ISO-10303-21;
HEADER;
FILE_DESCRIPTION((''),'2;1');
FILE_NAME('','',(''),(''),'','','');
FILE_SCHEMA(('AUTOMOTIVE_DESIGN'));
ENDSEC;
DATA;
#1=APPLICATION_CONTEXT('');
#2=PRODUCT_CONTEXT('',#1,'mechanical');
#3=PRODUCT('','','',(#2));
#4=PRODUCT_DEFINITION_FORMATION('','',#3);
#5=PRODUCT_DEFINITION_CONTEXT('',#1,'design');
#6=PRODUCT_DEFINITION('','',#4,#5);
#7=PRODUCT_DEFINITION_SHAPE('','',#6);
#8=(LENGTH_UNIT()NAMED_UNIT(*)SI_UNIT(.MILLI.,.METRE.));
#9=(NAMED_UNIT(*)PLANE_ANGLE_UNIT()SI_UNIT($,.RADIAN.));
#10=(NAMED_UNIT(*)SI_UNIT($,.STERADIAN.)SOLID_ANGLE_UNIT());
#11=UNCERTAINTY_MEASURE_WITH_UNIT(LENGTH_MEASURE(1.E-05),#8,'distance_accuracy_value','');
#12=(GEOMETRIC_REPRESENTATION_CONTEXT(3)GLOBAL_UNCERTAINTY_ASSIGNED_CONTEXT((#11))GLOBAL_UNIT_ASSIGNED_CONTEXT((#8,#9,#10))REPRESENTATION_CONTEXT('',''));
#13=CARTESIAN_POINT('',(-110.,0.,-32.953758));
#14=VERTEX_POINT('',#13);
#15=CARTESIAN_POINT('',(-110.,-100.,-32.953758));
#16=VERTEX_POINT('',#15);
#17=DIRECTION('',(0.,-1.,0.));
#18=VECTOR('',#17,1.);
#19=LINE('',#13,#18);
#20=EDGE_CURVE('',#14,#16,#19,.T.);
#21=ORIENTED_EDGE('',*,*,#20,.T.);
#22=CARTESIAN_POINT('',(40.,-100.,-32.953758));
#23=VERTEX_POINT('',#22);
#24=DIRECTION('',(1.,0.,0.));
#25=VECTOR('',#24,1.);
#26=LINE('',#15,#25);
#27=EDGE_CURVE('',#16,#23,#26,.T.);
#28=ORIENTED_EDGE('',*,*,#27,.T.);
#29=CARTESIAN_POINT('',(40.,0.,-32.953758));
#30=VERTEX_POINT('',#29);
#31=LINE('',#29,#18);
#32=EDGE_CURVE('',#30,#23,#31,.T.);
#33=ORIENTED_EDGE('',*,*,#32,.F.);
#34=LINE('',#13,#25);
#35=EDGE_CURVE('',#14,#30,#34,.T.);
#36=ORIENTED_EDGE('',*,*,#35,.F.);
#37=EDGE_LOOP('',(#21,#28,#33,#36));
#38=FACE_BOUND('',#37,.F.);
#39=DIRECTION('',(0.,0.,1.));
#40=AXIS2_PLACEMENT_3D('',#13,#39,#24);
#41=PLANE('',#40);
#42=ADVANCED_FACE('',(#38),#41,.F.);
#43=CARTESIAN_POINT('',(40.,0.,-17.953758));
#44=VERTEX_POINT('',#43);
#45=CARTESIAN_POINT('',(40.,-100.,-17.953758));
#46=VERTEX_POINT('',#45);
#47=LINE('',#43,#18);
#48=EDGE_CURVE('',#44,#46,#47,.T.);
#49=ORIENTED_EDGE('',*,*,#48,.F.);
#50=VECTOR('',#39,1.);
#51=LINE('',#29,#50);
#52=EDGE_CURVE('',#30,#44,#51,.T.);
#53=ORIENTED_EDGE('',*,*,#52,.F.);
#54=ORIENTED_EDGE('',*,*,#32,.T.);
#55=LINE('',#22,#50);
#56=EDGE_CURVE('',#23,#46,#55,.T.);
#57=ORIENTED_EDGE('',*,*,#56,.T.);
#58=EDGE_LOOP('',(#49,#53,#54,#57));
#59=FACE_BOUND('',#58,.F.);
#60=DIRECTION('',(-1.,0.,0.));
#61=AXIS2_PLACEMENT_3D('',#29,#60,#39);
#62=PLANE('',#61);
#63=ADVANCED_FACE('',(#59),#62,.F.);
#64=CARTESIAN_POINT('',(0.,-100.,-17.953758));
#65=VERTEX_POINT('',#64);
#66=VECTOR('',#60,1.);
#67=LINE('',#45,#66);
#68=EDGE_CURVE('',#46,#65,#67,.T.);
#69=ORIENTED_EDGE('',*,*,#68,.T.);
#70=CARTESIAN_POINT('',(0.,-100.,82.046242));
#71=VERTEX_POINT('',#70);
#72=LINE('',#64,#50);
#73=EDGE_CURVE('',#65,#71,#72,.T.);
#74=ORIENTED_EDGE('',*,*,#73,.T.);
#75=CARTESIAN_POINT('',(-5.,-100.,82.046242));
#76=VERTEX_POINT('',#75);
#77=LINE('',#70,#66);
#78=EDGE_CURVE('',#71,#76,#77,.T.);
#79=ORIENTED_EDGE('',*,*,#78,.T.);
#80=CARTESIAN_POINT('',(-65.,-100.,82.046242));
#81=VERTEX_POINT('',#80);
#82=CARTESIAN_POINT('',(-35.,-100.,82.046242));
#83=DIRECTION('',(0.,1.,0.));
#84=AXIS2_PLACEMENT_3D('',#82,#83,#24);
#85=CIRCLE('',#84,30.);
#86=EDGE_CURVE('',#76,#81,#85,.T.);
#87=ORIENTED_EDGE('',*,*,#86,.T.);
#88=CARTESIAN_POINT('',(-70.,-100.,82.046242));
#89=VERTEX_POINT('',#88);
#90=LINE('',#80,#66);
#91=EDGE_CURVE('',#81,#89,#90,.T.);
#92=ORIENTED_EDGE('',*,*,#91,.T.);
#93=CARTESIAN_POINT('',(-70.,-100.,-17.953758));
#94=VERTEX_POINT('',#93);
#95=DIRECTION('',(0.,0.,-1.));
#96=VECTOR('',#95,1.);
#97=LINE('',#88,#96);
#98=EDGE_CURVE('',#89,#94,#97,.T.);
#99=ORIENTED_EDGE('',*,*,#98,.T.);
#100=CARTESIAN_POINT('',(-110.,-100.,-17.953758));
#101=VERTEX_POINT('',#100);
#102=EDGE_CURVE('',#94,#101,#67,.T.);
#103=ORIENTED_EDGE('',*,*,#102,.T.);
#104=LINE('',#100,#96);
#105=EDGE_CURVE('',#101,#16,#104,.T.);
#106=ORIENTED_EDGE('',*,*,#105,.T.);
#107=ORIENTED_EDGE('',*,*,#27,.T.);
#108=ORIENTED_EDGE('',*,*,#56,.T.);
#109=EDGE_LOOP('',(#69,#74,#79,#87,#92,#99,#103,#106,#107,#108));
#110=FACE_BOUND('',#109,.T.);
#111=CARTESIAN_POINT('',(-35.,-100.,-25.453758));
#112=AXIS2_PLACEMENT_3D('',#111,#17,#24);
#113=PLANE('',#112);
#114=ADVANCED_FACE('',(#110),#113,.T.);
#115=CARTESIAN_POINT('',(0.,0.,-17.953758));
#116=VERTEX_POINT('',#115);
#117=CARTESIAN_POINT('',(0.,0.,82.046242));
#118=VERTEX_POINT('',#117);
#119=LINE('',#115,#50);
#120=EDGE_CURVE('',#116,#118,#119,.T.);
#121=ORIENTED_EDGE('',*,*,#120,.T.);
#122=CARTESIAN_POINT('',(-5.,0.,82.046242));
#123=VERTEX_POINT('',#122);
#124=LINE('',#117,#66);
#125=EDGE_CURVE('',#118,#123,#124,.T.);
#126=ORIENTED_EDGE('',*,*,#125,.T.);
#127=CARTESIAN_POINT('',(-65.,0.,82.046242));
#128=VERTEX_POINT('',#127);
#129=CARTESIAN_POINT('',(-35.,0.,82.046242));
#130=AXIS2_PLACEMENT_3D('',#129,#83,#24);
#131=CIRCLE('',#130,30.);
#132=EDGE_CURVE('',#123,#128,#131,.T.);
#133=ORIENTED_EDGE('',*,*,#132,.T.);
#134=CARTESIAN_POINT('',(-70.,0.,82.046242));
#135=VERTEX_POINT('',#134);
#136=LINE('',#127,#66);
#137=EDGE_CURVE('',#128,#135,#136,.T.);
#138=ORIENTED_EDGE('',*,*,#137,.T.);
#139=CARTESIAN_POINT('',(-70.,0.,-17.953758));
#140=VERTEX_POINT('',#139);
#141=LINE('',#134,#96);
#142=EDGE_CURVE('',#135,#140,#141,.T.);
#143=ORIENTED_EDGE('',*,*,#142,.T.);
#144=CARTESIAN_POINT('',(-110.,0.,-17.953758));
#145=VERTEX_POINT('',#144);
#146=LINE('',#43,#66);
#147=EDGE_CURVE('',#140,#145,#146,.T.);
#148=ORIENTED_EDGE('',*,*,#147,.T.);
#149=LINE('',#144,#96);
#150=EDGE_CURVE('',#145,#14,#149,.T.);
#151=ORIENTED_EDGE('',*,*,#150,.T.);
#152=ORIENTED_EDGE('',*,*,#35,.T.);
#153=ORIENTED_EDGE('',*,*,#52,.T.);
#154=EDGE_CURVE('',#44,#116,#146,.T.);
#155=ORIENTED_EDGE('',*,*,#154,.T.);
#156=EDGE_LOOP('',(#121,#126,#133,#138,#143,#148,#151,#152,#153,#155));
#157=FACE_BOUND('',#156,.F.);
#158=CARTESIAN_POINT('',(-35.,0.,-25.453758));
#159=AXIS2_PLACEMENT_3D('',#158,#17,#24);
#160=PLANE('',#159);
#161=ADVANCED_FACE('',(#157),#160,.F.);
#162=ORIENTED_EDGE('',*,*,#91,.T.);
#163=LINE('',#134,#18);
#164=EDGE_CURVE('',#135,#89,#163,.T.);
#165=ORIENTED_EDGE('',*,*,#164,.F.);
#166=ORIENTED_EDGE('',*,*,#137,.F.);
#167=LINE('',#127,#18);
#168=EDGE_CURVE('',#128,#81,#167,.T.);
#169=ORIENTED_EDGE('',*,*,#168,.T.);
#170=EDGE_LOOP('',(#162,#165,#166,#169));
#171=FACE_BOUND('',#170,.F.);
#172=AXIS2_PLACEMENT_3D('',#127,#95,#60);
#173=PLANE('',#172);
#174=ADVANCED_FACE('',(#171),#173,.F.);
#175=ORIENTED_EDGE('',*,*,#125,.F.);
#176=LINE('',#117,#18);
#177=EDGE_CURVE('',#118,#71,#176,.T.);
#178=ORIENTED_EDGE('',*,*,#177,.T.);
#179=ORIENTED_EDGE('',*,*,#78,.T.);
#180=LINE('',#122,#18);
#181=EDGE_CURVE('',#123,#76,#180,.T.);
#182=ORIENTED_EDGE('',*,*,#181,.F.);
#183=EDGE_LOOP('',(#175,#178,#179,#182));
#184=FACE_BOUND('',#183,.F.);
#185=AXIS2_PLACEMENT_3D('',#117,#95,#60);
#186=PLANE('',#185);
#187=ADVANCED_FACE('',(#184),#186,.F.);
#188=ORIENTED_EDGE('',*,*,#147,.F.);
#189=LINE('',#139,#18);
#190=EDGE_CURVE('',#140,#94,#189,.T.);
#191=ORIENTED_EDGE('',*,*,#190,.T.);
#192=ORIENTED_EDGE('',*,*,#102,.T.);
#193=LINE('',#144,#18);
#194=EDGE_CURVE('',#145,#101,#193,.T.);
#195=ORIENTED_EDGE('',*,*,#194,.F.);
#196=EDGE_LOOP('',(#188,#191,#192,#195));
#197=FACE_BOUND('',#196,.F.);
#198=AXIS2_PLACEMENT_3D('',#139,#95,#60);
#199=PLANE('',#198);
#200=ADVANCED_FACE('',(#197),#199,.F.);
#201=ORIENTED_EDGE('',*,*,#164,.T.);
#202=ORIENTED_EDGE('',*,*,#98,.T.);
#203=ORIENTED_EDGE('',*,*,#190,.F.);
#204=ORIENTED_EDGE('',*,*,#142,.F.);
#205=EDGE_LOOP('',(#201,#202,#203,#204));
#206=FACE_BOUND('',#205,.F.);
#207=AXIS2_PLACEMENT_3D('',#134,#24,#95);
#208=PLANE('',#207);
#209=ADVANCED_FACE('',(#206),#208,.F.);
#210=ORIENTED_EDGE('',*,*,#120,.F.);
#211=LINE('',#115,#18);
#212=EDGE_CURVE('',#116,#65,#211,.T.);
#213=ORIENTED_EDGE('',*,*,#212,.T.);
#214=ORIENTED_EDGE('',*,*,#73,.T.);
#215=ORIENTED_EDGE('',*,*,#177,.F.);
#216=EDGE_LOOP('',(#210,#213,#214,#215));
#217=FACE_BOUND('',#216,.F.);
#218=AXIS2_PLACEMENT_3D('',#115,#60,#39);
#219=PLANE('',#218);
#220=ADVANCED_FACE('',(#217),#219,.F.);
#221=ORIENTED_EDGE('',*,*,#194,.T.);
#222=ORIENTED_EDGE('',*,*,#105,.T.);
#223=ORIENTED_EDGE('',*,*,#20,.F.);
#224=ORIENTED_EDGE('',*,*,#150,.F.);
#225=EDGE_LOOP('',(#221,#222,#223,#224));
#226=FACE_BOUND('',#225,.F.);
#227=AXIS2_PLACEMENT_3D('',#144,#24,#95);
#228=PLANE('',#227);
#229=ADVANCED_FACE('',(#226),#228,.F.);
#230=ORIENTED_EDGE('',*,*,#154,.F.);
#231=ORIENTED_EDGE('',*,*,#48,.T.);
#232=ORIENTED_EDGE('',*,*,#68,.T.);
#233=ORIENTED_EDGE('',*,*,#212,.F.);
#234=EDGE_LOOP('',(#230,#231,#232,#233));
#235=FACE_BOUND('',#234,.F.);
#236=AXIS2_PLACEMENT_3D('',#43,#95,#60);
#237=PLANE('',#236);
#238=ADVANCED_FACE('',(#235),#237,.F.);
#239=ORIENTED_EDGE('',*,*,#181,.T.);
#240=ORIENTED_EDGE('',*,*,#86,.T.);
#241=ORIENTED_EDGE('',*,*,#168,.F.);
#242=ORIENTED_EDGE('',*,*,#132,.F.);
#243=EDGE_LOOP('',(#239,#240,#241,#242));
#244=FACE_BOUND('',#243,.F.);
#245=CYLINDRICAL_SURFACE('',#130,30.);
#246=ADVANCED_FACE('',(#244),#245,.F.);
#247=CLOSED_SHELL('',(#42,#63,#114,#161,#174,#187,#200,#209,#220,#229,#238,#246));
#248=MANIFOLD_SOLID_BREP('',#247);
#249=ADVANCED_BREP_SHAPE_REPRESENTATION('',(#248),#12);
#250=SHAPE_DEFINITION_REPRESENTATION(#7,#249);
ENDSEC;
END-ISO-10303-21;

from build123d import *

# Parameters (mm, degrees)
F1_DEPTH = 100


with BuildPart() as f1:
    # F0 (on Front) → F1 (new body)
    with BuildSketch(Plane.XZ):
        Polygon((-70, -17.953758), (-110, -17.953758), (-110, -32.953758), (40, -32.953758), (40, -17.953758), (0, -17.953758), align=None)
        with BuildLine():
            Line((-70, 82.046242), (-70, -17.953758))
            Line((-70, -17.953758), (0, -17.953758))
            Line((0, -17.953758), (0, 82.046242))
            Line((0, 82.046242), (-5, 82.046242))
            ThreePointArc((-5, 82.046242), (-35, 52.046242), (-65, 82.046242))
            Line((-65, 82.046242), (-70, 82.046242))
        make_face()
    extrude(amount=F1_DEPTH)


solid = f1.part
